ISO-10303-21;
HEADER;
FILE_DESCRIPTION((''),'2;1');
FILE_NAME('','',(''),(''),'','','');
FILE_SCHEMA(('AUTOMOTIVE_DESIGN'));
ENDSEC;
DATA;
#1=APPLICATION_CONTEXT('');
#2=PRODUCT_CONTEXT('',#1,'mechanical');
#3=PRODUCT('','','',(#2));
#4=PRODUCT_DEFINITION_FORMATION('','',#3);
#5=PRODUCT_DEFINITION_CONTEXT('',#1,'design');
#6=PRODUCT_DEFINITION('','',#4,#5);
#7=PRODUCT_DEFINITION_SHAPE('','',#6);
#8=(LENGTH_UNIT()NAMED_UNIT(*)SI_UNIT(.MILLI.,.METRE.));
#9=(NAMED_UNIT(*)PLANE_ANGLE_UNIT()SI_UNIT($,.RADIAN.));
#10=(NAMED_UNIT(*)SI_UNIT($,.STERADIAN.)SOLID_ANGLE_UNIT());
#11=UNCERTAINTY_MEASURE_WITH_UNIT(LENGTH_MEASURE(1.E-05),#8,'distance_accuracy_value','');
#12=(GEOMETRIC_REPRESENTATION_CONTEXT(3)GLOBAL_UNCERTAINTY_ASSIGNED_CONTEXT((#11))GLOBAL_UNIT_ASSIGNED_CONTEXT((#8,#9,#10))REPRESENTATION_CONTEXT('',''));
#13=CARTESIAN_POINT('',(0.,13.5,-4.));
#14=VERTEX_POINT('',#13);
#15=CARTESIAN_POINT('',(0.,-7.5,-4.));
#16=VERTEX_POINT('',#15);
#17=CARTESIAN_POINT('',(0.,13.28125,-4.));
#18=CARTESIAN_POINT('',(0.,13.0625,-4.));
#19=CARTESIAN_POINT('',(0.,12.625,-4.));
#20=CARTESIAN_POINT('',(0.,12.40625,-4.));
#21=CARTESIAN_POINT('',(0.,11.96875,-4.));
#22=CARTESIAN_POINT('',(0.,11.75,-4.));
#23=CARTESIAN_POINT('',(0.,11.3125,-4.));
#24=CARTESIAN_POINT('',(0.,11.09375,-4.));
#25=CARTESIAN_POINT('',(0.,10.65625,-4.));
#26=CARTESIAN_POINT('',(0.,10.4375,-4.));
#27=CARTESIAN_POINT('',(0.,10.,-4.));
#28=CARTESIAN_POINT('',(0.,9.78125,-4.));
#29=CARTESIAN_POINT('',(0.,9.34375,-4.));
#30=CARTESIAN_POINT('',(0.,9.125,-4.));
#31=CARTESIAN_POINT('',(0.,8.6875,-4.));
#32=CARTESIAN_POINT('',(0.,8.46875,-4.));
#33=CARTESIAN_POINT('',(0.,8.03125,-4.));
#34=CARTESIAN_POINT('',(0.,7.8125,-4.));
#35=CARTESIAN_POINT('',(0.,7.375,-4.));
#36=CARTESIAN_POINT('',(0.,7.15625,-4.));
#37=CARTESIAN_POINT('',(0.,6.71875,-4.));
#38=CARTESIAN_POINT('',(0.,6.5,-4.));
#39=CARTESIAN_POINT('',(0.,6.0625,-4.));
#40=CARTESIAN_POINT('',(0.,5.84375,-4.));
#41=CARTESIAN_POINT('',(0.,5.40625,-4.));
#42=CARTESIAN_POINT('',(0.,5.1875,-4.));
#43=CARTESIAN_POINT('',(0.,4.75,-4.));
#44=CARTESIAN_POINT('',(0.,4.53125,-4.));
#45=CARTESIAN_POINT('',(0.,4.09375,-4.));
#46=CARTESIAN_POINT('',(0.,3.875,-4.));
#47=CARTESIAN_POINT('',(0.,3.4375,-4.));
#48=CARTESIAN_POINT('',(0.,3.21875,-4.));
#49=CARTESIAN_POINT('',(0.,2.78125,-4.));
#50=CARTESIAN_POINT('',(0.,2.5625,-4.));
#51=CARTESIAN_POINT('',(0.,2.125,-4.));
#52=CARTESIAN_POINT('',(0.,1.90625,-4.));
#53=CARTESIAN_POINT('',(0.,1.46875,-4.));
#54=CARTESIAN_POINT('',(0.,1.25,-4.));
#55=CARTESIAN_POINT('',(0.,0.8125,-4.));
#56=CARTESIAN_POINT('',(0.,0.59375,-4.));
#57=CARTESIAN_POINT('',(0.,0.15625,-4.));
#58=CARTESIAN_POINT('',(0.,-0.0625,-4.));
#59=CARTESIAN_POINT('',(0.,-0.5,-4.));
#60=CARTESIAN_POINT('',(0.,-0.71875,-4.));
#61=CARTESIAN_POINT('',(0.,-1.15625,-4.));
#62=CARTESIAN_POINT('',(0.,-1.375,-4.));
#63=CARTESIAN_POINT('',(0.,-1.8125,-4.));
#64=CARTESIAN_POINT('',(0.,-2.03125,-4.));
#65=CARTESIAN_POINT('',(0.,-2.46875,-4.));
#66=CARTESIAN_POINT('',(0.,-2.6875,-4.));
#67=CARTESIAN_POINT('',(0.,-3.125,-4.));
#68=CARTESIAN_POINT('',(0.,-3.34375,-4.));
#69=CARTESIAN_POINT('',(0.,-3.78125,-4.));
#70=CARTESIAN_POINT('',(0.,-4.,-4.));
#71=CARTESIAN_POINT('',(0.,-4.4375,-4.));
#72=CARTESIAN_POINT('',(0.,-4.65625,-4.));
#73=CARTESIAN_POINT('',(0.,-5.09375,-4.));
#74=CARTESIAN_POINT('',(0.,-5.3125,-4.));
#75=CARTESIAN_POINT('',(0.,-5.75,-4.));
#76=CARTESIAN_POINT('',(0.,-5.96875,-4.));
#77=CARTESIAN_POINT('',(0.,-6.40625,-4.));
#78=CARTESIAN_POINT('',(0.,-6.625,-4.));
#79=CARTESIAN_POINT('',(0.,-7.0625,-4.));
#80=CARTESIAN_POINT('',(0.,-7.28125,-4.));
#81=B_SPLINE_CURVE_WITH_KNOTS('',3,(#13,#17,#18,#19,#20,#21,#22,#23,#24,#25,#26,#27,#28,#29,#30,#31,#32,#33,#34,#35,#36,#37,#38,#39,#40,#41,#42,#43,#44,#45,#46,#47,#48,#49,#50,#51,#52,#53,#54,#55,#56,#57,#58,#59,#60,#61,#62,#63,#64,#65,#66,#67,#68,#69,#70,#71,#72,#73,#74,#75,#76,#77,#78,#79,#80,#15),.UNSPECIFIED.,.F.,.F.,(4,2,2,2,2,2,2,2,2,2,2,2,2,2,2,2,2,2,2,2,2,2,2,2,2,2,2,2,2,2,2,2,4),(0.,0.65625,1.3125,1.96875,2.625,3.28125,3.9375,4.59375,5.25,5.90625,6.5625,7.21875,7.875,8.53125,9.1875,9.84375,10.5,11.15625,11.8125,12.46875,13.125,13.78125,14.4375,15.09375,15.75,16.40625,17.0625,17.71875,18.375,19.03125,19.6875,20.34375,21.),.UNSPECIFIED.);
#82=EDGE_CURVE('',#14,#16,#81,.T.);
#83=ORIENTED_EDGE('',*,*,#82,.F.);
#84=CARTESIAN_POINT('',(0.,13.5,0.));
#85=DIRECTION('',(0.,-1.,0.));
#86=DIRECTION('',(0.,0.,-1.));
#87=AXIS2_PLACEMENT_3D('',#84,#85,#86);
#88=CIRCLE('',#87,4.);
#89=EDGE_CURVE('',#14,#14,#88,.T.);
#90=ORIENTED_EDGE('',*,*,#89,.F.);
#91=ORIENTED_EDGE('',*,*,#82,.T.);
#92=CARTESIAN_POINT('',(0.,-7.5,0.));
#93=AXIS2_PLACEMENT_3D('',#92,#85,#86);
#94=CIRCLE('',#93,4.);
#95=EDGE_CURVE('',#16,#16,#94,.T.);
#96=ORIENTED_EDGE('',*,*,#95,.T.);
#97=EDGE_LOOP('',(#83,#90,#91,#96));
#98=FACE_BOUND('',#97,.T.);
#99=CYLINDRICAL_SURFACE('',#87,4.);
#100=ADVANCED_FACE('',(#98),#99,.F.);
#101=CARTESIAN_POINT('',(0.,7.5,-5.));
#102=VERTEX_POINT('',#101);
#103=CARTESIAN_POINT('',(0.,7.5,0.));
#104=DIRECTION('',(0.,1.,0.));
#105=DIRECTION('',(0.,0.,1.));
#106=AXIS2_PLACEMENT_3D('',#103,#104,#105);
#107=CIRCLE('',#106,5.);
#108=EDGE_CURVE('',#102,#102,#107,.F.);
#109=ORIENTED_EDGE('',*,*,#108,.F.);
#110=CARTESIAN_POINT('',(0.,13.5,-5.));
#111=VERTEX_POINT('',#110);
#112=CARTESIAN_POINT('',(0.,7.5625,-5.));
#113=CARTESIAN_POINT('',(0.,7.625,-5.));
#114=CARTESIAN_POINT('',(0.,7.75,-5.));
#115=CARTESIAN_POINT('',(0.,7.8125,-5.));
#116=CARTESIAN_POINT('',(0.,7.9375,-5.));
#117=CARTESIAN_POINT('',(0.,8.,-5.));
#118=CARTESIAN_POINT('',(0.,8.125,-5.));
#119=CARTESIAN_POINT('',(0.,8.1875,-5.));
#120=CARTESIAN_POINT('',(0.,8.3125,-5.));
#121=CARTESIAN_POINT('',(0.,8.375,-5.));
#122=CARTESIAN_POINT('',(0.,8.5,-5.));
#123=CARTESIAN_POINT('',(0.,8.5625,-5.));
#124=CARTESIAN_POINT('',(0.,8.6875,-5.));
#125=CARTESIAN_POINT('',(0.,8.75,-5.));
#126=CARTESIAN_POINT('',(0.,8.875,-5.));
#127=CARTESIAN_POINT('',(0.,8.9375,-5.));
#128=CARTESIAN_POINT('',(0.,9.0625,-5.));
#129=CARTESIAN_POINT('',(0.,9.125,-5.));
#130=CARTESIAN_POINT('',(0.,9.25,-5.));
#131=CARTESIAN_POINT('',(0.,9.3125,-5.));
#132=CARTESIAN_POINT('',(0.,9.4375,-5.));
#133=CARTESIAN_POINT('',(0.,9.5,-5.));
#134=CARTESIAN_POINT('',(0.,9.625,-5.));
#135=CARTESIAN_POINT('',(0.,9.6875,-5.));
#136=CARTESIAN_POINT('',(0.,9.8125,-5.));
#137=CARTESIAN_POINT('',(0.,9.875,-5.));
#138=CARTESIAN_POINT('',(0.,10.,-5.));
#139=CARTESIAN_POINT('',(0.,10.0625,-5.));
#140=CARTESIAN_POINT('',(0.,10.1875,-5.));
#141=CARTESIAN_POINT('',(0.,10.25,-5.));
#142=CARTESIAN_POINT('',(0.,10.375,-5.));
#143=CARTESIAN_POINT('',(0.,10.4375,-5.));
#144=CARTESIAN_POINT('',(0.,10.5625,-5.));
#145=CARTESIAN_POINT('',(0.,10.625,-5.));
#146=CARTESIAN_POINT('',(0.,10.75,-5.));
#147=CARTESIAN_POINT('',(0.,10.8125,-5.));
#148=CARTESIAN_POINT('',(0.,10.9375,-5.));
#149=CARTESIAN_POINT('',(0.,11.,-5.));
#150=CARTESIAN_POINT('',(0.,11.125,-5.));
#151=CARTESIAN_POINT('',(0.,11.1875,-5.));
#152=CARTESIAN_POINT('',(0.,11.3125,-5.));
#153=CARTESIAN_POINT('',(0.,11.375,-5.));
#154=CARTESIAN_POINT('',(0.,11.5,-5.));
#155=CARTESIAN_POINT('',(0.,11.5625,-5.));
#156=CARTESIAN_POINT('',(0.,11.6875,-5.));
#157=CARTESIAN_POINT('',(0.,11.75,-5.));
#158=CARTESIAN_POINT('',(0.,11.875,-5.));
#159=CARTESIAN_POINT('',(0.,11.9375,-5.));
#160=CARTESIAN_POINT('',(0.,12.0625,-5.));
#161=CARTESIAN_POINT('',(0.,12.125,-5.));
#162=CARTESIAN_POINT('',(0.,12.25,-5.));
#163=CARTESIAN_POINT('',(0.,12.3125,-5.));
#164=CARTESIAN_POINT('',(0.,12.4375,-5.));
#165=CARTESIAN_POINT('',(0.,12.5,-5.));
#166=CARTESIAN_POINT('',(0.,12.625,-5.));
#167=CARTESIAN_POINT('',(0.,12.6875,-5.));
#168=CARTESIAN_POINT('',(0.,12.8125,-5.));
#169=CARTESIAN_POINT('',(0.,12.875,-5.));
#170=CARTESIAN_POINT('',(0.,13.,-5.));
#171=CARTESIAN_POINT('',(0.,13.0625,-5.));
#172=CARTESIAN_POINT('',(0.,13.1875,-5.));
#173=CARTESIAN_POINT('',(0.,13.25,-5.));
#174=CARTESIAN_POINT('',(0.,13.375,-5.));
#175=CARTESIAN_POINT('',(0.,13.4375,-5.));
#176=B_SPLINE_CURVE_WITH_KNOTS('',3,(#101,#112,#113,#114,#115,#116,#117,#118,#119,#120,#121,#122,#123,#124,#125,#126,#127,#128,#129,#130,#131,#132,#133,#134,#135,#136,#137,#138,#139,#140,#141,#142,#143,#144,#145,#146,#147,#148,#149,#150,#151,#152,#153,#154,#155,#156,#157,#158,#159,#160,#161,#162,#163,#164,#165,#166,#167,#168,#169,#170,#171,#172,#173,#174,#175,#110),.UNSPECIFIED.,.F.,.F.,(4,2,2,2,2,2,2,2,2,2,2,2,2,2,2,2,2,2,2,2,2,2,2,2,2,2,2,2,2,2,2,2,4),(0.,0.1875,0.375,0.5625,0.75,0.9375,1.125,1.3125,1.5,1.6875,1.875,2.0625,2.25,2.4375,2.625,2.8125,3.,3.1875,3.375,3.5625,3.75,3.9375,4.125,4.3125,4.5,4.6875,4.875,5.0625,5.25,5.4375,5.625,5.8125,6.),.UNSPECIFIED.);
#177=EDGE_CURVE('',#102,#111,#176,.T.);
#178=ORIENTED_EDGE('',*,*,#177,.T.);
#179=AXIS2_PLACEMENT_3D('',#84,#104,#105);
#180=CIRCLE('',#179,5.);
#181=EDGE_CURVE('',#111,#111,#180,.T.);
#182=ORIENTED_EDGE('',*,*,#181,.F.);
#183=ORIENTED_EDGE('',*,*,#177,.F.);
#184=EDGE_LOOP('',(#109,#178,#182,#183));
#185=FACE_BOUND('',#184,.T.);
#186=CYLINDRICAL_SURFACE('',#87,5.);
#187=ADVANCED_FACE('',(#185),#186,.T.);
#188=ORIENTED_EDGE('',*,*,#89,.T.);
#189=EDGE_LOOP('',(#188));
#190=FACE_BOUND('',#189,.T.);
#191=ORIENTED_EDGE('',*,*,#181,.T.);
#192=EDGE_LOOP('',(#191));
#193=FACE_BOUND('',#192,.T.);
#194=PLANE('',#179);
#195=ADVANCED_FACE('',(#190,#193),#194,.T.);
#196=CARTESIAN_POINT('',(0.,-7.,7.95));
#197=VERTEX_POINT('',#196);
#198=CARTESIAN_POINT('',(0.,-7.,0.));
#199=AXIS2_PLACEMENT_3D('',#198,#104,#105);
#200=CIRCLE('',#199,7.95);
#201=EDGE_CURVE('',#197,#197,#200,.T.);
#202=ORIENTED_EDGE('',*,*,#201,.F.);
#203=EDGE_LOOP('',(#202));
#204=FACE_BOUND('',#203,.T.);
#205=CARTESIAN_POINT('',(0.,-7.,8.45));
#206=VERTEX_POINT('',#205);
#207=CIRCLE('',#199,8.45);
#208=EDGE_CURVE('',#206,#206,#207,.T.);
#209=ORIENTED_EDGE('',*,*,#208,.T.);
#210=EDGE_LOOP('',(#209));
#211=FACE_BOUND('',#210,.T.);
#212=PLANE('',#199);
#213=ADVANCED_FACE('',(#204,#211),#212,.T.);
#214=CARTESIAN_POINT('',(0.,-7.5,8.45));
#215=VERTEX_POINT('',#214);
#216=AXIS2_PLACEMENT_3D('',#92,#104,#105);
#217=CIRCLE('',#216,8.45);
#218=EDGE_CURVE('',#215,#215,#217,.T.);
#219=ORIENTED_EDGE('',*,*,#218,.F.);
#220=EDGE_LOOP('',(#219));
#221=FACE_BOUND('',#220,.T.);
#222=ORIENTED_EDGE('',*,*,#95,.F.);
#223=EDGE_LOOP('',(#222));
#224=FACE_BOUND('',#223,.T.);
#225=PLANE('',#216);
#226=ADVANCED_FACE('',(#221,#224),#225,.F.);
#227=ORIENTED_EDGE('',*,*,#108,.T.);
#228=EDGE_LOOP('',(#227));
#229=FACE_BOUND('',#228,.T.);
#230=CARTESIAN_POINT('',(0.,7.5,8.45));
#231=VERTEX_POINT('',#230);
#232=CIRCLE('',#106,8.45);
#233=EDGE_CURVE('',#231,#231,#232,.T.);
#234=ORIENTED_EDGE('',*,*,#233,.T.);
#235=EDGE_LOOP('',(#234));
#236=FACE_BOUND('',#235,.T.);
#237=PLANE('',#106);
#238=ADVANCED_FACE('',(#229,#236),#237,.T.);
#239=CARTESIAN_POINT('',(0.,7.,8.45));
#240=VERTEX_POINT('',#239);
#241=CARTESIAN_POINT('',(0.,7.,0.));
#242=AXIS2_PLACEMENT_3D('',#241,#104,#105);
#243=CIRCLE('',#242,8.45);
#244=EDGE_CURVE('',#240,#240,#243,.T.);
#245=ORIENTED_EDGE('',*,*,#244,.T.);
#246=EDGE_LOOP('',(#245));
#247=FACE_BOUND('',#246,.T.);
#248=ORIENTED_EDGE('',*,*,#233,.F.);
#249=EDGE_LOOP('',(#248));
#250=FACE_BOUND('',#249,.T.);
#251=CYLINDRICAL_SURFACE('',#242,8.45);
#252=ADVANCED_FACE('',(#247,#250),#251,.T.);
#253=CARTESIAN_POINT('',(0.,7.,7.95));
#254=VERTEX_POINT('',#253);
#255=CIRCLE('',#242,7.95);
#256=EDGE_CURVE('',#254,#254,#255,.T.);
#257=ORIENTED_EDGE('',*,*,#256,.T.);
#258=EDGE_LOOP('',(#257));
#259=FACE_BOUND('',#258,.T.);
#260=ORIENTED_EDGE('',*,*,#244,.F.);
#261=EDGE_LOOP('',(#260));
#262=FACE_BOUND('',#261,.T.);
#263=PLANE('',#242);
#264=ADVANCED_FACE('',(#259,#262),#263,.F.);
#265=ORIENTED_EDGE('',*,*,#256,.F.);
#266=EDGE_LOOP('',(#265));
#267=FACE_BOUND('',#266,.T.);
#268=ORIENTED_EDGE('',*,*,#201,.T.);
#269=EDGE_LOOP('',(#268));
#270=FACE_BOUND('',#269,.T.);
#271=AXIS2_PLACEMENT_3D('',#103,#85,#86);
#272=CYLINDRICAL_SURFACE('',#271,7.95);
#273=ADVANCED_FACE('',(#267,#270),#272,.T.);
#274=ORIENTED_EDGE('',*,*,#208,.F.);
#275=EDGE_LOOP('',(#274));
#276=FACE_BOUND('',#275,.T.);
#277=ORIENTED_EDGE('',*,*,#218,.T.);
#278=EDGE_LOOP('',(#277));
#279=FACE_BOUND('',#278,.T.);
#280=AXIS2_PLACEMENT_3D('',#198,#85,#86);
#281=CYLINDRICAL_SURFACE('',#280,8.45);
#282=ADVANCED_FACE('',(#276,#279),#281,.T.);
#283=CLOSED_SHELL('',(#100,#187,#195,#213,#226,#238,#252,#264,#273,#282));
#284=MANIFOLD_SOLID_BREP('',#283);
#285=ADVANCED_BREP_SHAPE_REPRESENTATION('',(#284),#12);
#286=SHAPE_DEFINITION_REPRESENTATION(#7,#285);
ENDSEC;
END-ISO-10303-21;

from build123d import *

# Parameters (mm, degrees)
CROQUIS1_R                 = 7.95
SALIENTE_EXTRUIR1_DEPTH    = 7.5
CROQUIS2_R                 = 8.45
SALIENTE_EXTRUIR2_DEPTH    = 0.5
SALIENTE_EXTRUIR3_START    = -14.5
CROQUIS2_2_R               = 8.45
SALIENTE_EXTRUIR3_DEPTH    = 0.5
CROQUIS3_R                 = 5
SALIENTE_EXTRUIR4_DEPTH    = 21
CORTAR_EXTRUIR1_DEPTH      = 24.728779994
CORTAR_EXTRUIR1_DEPTH_BACK = 24.728779994
CROQUIS4_R                 = 3
CROQUIS10_R                = 4
CORTAR_EXTRUIR2_DEPTH      = 25.162057032


with BuildPart() as part:
    # Croquis1 → Saliente-Extruir1 (new, symmetric)
    with BuildSketch(Plane(origin=(0, 0, 0), x_dir=(-1, 0, 0), z_dir=(0, 1, 0))):
        with Locations(Location((0, 0, 0), (0, 0, 90))):
            Circle(CROQUIS1_R)
    extrude(amount=SALIENTE_EXTRUIR1_DEPTH, both=True)

    # Croquis2 → Saliente-Extruir2 (add)
    with BuildSketch(Plane(origin=(0, 7.5, 0), x_dir=(-1, 0, 0), z_dir=(0, 1, 0))):
        with Locations(Location((0, 0, 0), (0, 0, 90))):
            Circle(CROQUIS2_R)
    extrude(amount=-SALIENTE_EXTRUIR2_DEPTH)

    # Croquis2<2> → Saliente-Extruir3 (add)
    with BuildSketch(Plane(origin=(0, 7.5, 0), x_dir=(-1, 0, 0), z_dir=(0, 1, 0)).offset(SALIENTE_EXTRUIR3_START)):
        with Locations(Location((0, 0, 0), (0, 0, 90))):
            Circle(CROQUIS2_2_R)
    extrude(amount=-SALIENTE_EXTRUIR3_DEPTH)

    # Croquis3 → Saliente-Extruir4 (add)
    with BuildSketch(Plane(origin=(0, -7.5, 0), x_dir=(-1, 0, 0), z_dir=(0, 1, 0))):
        with Locations(Location((0, 0, 0), (0, 0, 270))):
            Circle(CROQUIS3_R)
    extrude(amount=SALIENTE_EXTRUIR4_DEPTH)

    # Croquis4 → Cortar-Extruir1 (cut, two sides: drawn at the far end of the back side and taken through both)
    with BuildSketch(Plane(origin=(0, -7, 0), x_dir=(-1, 0, 0), z_dir=(0, 1, 0)).offset(-CORTAR_EXTRUIR1_DEPTH_BACK)):
        with Locations(Location((0, 0, 0), (0, 0, 90))):
            Circle(CROQUIS4_R)
    extrude(amount=CORTAR_EXTRUIR1_DEPTH + CORTAR_EXTRUIR1_DEPTH_BACK, mode=Mode.SUBTRACT)

    # Croquis10 → Cortar-Extruir2 (cut, through all)
    with BuildSketch(Plane.XZ.offset(7.5)):
        with Locations(Location((0, 0, 0), (0, 0, 270))):
            Circle(CROQUIS10_R)
    extrude(amount=-CORTAR_EXTRUIR2_DEPTH, mode=Mode.SUBTRACT)


solid = part.part
